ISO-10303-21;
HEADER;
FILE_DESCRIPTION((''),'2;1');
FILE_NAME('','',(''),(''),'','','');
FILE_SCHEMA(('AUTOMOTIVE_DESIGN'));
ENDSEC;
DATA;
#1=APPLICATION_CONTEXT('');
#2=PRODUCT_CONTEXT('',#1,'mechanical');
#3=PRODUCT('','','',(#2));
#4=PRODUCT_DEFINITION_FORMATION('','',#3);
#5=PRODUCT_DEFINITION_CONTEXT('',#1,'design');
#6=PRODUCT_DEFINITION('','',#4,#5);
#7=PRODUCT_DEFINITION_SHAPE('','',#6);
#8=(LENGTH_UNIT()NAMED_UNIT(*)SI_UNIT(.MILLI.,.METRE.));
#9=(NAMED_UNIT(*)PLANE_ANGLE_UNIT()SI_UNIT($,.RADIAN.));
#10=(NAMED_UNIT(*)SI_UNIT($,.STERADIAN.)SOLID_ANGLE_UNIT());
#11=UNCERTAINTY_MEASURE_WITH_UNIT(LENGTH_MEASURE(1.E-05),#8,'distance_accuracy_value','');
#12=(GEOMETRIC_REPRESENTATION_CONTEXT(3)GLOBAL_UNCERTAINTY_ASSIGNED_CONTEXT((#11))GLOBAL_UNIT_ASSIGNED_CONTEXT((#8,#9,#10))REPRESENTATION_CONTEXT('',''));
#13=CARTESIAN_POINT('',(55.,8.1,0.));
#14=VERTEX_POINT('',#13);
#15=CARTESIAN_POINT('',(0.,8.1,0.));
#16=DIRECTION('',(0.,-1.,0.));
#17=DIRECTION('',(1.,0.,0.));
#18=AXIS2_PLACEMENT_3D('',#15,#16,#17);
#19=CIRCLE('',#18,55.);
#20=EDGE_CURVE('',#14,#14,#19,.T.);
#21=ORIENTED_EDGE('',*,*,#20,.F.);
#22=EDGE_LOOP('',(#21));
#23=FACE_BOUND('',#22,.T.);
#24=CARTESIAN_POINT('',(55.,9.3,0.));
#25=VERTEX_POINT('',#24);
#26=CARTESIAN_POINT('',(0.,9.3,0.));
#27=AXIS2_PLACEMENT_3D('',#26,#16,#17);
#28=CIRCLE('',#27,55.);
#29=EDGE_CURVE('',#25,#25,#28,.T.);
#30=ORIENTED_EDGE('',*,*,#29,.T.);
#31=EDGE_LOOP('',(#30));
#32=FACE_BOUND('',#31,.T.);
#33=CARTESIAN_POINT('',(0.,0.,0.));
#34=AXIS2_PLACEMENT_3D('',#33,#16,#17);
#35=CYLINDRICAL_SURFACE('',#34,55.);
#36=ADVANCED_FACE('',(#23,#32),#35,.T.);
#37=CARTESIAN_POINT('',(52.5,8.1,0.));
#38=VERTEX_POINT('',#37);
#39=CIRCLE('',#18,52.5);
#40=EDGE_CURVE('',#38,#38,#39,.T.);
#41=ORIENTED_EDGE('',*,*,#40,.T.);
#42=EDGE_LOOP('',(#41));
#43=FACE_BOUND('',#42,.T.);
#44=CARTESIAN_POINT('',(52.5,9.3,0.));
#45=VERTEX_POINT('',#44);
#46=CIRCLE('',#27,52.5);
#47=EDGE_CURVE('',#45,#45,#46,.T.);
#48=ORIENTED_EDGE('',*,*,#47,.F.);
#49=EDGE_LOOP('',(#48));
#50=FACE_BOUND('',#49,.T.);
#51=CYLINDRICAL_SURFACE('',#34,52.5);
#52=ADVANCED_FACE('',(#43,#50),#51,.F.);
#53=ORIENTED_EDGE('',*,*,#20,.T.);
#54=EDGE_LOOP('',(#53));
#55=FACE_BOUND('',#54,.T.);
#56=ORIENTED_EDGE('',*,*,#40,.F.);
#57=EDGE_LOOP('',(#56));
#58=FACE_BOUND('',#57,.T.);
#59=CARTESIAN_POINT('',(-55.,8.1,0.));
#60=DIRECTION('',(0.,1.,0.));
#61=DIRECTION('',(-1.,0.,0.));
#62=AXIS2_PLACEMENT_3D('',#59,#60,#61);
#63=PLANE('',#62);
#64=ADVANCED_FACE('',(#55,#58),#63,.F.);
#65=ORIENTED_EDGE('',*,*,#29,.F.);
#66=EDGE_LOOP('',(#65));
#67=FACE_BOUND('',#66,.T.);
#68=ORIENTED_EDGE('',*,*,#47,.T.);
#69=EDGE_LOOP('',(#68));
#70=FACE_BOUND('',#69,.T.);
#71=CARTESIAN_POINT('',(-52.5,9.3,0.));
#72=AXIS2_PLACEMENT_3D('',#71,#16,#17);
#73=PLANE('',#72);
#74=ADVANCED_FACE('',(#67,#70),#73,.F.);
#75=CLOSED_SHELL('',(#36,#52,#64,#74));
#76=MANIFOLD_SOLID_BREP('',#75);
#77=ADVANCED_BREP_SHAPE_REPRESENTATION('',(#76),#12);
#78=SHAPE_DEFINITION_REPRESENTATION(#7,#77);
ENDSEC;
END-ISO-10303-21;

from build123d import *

# Parameters (mm, degrees)
SKETCH3_W = 2.5
SKETCH3_H = 1.2


with BuildPart() as part:
    # Sketch3 → Revolve1 (revolve)
    with BuildSketch(Plane.XY):
        with Locations((-53.75, 8.7)):
            Rectangle(SKETCH3_W, SKETCH3_H)
    revolve(axis=Axis((0, 0, 0), (0, 1, 0)))


solid = part.part
